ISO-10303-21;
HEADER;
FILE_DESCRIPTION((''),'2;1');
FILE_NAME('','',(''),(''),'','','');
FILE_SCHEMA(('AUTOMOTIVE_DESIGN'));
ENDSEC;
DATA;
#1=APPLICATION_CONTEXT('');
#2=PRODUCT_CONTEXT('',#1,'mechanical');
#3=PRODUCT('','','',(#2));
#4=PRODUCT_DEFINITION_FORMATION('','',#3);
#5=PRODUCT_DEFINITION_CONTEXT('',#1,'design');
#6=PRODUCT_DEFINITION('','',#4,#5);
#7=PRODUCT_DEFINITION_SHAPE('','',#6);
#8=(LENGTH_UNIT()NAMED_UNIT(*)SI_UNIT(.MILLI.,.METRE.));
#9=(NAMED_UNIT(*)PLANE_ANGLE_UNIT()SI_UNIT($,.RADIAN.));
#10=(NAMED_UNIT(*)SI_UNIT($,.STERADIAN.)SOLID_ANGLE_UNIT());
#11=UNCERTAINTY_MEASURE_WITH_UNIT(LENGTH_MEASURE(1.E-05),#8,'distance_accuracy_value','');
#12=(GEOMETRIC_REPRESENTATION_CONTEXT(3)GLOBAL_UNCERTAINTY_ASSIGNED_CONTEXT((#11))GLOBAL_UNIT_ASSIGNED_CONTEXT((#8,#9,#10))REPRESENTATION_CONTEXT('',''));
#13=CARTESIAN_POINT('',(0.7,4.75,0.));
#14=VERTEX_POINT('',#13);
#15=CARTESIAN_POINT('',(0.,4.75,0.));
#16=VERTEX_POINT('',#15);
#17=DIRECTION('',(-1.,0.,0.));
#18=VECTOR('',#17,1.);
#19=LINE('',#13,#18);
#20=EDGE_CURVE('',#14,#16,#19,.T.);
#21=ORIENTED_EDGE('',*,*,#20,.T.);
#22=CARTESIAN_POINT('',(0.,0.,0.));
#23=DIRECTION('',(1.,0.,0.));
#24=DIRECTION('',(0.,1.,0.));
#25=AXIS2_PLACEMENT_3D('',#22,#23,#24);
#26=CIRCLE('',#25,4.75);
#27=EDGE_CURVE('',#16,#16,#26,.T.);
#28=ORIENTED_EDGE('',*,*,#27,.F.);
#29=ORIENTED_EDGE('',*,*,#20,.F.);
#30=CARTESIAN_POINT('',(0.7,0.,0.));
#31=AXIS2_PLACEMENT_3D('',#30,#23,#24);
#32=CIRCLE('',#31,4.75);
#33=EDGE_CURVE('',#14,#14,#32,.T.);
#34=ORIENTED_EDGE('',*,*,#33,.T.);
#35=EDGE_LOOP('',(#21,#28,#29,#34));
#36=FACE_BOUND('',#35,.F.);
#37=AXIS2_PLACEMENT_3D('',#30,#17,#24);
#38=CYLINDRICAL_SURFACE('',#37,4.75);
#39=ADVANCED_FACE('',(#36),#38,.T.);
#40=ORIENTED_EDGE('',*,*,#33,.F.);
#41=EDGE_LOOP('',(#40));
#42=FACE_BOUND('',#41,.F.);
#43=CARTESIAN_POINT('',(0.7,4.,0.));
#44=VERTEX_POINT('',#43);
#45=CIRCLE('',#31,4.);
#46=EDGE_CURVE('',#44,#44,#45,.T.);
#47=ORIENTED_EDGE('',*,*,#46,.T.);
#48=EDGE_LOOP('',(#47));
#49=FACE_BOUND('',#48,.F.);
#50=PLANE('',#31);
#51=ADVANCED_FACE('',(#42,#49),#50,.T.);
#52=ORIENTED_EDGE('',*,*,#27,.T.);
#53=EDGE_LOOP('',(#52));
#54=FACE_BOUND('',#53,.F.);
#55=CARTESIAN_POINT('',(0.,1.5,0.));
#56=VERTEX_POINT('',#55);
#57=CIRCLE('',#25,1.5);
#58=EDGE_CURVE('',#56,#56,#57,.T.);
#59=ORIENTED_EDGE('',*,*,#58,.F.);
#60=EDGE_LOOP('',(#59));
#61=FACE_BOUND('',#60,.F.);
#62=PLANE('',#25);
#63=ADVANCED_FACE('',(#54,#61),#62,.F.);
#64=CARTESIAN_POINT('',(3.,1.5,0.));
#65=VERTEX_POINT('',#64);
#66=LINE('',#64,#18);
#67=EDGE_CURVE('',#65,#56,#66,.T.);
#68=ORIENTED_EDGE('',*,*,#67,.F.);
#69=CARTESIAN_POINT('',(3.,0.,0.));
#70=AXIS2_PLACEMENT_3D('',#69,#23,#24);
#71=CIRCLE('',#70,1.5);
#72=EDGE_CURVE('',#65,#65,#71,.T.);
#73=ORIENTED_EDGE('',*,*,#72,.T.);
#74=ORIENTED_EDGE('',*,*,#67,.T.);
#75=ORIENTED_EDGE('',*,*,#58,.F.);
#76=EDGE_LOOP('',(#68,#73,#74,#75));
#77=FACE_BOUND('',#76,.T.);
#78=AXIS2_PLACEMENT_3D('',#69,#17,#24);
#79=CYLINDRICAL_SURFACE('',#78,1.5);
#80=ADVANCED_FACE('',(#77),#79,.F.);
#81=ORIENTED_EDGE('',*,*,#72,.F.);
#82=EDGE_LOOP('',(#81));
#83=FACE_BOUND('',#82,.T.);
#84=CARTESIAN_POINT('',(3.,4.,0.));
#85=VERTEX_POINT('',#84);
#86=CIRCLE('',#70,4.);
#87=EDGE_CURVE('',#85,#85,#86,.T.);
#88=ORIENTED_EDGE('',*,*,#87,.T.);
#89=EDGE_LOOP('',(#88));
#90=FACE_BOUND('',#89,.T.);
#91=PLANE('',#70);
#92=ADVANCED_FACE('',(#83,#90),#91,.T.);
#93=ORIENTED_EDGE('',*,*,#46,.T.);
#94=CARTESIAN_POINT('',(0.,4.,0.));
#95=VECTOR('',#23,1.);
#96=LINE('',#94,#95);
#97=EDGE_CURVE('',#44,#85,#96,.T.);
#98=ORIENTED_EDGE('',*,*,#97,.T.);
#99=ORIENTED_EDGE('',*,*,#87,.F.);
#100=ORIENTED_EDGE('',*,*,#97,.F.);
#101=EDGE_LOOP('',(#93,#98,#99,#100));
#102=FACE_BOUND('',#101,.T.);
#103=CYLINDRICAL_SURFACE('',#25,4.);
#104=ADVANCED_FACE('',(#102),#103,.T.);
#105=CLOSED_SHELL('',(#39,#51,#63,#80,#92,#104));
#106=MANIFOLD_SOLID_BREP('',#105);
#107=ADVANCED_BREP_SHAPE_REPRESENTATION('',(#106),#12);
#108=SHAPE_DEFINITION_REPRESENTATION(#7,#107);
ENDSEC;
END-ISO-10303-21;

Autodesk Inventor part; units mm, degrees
ref_plane "YZ Plane" through (0, 0, 0) normal (1, 0, 0) x (0, 1, 0)
ref_plane "XZ Plane" through (0, 0, 0) normal (0, 1, 0) x (-1, 0, 0)
ref_plane "XY Plane" through (0, 0, 0) normal (0, 0, 1) x (1, 0, 0)
sketch "Sketch1" plane through (0, 0, 0) normal (0, 0, 1) x (1, 0, 0)
  line L0 (0, 4) -> (3, 4)
  line L1 (3, 4) -> (3, 1.5)
  line L2 (3, 1.5) -> (0, 1.5)
  line L3 (0, 1.5) -> (0, 4)
  line L4 (0, 4) -> (0.7, 4)
  line L5 (0.7, 4) -> (0.7, 4.75)
  line L6 (0.7, 4.75) -> (0, 4.75)
  line L7 (0, 4.75) -> (0, 4)
  line L8 (-0.6, 0) -> (3.6, 0) projected
  point P0 (0, 0)
  dimension "d0" = 3
  dimension "d1" = 4
  dimension "d2" = 1.5
  dimension "d3" = 4.75
  dimension "d4" = 0.7
revolve "Revolution1" add sketch "Sketch1" angle 360 about axis through (-10, 0, 0) along (1, 0, 0)
properties part number "Bearing"
